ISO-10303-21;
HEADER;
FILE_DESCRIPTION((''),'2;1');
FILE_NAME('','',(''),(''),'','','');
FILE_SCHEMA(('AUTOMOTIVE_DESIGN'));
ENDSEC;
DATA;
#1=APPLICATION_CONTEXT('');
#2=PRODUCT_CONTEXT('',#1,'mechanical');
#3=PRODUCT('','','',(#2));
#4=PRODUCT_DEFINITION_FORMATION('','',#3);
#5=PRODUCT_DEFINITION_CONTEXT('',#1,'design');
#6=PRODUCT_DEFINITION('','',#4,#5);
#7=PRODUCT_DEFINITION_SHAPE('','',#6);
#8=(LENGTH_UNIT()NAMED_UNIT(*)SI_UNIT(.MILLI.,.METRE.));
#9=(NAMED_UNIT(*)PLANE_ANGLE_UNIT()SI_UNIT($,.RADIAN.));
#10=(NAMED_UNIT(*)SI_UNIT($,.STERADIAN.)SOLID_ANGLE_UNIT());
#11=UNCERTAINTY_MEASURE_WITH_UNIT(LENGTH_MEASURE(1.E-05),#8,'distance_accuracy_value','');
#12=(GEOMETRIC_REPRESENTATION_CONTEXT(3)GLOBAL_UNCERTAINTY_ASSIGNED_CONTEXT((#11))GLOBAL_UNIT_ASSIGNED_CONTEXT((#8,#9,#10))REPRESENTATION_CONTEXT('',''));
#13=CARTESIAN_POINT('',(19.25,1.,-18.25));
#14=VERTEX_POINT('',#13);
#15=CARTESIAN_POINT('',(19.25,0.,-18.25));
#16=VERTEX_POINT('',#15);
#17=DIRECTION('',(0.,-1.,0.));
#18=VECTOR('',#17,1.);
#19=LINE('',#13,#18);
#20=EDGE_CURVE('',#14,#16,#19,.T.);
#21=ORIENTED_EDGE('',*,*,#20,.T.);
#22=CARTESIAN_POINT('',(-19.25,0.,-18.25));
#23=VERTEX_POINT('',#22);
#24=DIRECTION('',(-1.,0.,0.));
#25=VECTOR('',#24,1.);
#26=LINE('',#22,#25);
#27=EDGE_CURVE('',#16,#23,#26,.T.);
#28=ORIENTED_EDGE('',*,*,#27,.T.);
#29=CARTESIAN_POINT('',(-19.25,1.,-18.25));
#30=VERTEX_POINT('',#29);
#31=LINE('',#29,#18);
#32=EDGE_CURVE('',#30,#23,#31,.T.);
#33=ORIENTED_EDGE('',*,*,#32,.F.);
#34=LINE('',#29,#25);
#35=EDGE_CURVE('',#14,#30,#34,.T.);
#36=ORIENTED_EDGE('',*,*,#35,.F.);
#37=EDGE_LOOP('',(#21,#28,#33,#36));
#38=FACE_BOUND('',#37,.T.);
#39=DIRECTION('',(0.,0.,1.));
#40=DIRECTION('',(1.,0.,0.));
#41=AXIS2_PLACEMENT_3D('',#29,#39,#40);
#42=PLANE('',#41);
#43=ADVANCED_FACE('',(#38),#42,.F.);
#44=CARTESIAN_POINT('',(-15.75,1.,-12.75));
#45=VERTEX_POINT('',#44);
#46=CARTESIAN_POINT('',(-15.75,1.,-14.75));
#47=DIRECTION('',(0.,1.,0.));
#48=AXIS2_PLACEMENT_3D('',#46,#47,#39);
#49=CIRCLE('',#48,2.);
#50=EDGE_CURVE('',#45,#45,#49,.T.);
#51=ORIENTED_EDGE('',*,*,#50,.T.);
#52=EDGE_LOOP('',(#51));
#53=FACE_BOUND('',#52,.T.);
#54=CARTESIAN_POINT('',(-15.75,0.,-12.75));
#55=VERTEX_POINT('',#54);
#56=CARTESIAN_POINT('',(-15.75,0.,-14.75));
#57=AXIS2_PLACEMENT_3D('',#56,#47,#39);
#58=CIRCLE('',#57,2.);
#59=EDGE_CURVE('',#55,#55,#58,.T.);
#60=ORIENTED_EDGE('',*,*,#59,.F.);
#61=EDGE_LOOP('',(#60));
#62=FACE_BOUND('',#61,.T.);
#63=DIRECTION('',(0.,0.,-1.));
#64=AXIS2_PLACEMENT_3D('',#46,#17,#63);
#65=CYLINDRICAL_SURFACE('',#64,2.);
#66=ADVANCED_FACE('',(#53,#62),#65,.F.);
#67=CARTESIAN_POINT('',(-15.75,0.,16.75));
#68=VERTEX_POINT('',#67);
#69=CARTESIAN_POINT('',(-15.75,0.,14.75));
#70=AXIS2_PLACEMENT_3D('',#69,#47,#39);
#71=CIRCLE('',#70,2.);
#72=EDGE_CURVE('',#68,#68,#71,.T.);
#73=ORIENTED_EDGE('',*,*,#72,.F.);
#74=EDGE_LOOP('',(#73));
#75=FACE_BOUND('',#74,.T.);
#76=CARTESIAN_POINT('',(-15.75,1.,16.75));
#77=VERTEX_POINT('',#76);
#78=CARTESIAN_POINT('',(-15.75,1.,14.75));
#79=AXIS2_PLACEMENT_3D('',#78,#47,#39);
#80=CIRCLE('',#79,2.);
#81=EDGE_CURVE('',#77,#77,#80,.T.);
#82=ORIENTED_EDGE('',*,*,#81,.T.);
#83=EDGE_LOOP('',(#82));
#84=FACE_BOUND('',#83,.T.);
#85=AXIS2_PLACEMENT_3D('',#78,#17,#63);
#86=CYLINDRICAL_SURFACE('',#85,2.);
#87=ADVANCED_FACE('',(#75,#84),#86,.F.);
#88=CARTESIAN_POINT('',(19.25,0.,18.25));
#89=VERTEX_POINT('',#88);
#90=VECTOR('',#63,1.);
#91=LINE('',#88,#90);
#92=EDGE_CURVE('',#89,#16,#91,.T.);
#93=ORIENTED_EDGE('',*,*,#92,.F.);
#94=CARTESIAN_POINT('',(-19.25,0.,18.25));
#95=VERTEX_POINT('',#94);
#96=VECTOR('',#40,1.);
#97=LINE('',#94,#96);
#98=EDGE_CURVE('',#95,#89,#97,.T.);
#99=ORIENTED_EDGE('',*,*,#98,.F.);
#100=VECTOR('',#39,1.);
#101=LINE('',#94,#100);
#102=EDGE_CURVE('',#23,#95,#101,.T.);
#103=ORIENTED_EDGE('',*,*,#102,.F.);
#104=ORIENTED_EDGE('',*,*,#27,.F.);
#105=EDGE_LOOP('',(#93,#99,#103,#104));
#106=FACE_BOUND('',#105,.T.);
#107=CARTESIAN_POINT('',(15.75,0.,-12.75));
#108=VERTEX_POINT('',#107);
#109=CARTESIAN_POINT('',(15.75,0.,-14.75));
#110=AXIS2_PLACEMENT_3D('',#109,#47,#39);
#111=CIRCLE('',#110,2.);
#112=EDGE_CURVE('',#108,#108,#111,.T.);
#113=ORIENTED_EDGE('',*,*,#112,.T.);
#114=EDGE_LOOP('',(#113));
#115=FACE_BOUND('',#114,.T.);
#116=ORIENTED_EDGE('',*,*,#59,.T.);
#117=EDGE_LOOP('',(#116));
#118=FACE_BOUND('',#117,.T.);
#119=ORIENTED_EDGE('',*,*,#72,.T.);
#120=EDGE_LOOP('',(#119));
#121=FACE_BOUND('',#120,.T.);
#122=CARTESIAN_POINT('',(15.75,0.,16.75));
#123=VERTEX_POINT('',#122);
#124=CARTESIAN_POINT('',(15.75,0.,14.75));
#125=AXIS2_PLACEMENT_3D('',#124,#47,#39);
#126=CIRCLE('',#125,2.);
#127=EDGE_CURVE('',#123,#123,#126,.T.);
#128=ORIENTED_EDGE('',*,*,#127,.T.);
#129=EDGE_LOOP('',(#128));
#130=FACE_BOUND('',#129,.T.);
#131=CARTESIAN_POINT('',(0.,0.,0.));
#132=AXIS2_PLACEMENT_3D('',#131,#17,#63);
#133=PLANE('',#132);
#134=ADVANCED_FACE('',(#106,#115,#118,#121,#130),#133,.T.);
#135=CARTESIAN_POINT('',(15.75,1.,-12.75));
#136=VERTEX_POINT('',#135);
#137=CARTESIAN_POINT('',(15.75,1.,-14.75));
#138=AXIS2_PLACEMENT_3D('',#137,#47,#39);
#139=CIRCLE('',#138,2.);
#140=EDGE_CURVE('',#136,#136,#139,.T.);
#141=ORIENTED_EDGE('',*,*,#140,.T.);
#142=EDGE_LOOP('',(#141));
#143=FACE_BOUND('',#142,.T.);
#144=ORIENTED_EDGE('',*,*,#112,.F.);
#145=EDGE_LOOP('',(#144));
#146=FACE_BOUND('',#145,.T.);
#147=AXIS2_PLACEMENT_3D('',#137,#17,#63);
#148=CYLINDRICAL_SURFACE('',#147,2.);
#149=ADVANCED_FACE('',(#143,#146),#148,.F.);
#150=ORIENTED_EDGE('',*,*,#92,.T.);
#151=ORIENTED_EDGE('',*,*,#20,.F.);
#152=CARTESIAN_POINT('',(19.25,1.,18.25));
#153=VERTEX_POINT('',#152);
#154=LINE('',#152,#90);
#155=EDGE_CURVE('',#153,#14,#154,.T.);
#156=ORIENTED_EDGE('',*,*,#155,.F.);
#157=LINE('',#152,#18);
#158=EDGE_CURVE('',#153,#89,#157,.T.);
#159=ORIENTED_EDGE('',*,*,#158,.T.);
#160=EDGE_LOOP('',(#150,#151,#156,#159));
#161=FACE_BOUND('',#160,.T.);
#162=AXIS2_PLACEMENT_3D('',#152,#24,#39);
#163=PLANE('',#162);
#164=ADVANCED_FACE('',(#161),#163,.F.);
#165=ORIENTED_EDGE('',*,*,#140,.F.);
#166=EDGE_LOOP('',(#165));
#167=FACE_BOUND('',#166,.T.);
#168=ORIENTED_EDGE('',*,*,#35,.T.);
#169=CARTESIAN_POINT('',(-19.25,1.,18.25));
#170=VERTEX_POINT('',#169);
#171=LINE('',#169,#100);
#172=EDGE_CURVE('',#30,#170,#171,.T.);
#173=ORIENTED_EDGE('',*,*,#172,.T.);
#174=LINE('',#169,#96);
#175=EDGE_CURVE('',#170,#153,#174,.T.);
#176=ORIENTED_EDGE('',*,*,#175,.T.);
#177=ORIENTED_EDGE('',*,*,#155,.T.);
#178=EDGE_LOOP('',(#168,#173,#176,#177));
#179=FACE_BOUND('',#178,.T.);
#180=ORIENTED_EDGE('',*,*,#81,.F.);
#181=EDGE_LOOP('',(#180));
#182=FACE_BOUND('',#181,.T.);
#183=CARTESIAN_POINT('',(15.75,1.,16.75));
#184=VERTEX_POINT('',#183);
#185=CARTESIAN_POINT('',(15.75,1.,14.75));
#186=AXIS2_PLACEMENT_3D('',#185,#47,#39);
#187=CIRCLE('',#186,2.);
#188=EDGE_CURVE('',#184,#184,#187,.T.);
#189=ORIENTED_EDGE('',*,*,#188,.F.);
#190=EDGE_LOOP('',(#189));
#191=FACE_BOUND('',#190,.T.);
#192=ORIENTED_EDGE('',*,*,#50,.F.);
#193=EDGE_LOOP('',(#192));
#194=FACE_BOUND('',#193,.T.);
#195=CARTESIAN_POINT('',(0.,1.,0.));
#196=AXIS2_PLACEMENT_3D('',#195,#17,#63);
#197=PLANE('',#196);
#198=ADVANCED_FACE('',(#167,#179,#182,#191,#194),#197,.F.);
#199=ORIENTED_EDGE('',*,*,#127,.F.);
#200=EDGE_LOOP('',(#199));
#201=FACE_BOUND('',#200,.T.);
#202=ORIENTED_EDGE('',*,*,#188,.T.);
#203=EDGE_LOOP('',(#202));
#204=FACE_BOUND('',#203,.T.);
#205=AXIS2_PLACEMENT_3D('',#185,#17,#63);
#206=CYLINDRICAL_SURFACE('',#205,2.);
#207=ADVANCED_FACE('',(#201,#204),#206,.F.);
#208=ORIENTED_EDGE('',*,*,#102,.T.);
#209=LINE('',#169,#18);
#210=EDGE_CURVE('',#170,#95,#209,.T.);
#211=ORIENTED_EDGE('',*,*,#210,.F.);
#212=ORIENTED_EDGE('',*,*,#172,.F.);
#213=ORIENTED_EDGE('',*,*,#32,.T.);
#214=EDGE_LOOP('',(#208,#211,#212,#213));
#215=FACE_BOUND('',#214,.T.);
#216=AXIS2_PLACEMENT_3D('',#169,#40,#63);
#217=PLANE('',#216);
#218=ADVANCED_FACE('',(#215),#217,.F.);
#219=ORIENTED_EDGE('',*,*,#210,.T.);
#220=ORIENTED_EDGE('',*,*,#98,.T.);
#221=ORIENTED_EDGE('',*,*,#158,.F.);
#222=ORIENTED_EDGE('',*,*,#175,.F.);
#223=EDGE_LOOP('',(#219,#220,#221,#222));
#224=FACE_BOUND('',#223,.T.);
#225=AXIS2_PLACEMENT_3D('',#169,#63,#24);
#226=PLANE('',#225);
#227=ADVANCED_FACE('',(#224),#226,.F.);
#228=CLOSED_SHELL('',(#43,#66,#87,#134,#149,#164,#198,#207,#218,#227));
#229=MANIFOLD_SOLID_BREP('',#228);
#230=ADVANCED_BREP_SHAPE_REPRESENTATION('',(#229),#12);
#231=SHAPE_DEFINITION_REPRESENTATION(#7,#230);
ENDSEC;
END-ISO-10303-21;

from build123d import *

# Parameters (mm, degrees)
CROQUIS1_W              = 38.5
CROQUIS1_H              = 36.5
CROQUIS1_R              = 2
SALIENTE_EXTRUIR1_DEPTH = 1


with BuildPart() as part:
    # Croquis1 → Saliente-Extruir1 (new body)
    with BuildSketch(Plane(origin=(0, 0, 0), x_dir=(1, 0, 0), z_dir=(0, 1, 0))):
        Rectangle(CROQUIS1_W, CROQUIS1_H)
        with Locations(Location((15.75, 14.75, 0), (0, 0, 270))):
            Circle(CROQUIS1_R, mode=Mode.SUBTRACT)
        with Locations(Location((-15.75, -14.75, 0), (0, 0, 270))):
            Circle(CROQUIS1_R, mode=Mode.SUBTRACT)
        with Locations(Location((15.75, -14.75, 0), (0, 0, 270))):
            Circle(CROQUIS1_R, mode=Mode.SUBTRACT)
        with Locations(Location((-15.75, 14.75, 0), (0, 0, 270))):
            Circle(CROQUIS1_R, mode=Mode.SUBTRACT)
    extrude(amount=SALIENTE_EXTRUIR1_DEPTH)


solid = part.part
